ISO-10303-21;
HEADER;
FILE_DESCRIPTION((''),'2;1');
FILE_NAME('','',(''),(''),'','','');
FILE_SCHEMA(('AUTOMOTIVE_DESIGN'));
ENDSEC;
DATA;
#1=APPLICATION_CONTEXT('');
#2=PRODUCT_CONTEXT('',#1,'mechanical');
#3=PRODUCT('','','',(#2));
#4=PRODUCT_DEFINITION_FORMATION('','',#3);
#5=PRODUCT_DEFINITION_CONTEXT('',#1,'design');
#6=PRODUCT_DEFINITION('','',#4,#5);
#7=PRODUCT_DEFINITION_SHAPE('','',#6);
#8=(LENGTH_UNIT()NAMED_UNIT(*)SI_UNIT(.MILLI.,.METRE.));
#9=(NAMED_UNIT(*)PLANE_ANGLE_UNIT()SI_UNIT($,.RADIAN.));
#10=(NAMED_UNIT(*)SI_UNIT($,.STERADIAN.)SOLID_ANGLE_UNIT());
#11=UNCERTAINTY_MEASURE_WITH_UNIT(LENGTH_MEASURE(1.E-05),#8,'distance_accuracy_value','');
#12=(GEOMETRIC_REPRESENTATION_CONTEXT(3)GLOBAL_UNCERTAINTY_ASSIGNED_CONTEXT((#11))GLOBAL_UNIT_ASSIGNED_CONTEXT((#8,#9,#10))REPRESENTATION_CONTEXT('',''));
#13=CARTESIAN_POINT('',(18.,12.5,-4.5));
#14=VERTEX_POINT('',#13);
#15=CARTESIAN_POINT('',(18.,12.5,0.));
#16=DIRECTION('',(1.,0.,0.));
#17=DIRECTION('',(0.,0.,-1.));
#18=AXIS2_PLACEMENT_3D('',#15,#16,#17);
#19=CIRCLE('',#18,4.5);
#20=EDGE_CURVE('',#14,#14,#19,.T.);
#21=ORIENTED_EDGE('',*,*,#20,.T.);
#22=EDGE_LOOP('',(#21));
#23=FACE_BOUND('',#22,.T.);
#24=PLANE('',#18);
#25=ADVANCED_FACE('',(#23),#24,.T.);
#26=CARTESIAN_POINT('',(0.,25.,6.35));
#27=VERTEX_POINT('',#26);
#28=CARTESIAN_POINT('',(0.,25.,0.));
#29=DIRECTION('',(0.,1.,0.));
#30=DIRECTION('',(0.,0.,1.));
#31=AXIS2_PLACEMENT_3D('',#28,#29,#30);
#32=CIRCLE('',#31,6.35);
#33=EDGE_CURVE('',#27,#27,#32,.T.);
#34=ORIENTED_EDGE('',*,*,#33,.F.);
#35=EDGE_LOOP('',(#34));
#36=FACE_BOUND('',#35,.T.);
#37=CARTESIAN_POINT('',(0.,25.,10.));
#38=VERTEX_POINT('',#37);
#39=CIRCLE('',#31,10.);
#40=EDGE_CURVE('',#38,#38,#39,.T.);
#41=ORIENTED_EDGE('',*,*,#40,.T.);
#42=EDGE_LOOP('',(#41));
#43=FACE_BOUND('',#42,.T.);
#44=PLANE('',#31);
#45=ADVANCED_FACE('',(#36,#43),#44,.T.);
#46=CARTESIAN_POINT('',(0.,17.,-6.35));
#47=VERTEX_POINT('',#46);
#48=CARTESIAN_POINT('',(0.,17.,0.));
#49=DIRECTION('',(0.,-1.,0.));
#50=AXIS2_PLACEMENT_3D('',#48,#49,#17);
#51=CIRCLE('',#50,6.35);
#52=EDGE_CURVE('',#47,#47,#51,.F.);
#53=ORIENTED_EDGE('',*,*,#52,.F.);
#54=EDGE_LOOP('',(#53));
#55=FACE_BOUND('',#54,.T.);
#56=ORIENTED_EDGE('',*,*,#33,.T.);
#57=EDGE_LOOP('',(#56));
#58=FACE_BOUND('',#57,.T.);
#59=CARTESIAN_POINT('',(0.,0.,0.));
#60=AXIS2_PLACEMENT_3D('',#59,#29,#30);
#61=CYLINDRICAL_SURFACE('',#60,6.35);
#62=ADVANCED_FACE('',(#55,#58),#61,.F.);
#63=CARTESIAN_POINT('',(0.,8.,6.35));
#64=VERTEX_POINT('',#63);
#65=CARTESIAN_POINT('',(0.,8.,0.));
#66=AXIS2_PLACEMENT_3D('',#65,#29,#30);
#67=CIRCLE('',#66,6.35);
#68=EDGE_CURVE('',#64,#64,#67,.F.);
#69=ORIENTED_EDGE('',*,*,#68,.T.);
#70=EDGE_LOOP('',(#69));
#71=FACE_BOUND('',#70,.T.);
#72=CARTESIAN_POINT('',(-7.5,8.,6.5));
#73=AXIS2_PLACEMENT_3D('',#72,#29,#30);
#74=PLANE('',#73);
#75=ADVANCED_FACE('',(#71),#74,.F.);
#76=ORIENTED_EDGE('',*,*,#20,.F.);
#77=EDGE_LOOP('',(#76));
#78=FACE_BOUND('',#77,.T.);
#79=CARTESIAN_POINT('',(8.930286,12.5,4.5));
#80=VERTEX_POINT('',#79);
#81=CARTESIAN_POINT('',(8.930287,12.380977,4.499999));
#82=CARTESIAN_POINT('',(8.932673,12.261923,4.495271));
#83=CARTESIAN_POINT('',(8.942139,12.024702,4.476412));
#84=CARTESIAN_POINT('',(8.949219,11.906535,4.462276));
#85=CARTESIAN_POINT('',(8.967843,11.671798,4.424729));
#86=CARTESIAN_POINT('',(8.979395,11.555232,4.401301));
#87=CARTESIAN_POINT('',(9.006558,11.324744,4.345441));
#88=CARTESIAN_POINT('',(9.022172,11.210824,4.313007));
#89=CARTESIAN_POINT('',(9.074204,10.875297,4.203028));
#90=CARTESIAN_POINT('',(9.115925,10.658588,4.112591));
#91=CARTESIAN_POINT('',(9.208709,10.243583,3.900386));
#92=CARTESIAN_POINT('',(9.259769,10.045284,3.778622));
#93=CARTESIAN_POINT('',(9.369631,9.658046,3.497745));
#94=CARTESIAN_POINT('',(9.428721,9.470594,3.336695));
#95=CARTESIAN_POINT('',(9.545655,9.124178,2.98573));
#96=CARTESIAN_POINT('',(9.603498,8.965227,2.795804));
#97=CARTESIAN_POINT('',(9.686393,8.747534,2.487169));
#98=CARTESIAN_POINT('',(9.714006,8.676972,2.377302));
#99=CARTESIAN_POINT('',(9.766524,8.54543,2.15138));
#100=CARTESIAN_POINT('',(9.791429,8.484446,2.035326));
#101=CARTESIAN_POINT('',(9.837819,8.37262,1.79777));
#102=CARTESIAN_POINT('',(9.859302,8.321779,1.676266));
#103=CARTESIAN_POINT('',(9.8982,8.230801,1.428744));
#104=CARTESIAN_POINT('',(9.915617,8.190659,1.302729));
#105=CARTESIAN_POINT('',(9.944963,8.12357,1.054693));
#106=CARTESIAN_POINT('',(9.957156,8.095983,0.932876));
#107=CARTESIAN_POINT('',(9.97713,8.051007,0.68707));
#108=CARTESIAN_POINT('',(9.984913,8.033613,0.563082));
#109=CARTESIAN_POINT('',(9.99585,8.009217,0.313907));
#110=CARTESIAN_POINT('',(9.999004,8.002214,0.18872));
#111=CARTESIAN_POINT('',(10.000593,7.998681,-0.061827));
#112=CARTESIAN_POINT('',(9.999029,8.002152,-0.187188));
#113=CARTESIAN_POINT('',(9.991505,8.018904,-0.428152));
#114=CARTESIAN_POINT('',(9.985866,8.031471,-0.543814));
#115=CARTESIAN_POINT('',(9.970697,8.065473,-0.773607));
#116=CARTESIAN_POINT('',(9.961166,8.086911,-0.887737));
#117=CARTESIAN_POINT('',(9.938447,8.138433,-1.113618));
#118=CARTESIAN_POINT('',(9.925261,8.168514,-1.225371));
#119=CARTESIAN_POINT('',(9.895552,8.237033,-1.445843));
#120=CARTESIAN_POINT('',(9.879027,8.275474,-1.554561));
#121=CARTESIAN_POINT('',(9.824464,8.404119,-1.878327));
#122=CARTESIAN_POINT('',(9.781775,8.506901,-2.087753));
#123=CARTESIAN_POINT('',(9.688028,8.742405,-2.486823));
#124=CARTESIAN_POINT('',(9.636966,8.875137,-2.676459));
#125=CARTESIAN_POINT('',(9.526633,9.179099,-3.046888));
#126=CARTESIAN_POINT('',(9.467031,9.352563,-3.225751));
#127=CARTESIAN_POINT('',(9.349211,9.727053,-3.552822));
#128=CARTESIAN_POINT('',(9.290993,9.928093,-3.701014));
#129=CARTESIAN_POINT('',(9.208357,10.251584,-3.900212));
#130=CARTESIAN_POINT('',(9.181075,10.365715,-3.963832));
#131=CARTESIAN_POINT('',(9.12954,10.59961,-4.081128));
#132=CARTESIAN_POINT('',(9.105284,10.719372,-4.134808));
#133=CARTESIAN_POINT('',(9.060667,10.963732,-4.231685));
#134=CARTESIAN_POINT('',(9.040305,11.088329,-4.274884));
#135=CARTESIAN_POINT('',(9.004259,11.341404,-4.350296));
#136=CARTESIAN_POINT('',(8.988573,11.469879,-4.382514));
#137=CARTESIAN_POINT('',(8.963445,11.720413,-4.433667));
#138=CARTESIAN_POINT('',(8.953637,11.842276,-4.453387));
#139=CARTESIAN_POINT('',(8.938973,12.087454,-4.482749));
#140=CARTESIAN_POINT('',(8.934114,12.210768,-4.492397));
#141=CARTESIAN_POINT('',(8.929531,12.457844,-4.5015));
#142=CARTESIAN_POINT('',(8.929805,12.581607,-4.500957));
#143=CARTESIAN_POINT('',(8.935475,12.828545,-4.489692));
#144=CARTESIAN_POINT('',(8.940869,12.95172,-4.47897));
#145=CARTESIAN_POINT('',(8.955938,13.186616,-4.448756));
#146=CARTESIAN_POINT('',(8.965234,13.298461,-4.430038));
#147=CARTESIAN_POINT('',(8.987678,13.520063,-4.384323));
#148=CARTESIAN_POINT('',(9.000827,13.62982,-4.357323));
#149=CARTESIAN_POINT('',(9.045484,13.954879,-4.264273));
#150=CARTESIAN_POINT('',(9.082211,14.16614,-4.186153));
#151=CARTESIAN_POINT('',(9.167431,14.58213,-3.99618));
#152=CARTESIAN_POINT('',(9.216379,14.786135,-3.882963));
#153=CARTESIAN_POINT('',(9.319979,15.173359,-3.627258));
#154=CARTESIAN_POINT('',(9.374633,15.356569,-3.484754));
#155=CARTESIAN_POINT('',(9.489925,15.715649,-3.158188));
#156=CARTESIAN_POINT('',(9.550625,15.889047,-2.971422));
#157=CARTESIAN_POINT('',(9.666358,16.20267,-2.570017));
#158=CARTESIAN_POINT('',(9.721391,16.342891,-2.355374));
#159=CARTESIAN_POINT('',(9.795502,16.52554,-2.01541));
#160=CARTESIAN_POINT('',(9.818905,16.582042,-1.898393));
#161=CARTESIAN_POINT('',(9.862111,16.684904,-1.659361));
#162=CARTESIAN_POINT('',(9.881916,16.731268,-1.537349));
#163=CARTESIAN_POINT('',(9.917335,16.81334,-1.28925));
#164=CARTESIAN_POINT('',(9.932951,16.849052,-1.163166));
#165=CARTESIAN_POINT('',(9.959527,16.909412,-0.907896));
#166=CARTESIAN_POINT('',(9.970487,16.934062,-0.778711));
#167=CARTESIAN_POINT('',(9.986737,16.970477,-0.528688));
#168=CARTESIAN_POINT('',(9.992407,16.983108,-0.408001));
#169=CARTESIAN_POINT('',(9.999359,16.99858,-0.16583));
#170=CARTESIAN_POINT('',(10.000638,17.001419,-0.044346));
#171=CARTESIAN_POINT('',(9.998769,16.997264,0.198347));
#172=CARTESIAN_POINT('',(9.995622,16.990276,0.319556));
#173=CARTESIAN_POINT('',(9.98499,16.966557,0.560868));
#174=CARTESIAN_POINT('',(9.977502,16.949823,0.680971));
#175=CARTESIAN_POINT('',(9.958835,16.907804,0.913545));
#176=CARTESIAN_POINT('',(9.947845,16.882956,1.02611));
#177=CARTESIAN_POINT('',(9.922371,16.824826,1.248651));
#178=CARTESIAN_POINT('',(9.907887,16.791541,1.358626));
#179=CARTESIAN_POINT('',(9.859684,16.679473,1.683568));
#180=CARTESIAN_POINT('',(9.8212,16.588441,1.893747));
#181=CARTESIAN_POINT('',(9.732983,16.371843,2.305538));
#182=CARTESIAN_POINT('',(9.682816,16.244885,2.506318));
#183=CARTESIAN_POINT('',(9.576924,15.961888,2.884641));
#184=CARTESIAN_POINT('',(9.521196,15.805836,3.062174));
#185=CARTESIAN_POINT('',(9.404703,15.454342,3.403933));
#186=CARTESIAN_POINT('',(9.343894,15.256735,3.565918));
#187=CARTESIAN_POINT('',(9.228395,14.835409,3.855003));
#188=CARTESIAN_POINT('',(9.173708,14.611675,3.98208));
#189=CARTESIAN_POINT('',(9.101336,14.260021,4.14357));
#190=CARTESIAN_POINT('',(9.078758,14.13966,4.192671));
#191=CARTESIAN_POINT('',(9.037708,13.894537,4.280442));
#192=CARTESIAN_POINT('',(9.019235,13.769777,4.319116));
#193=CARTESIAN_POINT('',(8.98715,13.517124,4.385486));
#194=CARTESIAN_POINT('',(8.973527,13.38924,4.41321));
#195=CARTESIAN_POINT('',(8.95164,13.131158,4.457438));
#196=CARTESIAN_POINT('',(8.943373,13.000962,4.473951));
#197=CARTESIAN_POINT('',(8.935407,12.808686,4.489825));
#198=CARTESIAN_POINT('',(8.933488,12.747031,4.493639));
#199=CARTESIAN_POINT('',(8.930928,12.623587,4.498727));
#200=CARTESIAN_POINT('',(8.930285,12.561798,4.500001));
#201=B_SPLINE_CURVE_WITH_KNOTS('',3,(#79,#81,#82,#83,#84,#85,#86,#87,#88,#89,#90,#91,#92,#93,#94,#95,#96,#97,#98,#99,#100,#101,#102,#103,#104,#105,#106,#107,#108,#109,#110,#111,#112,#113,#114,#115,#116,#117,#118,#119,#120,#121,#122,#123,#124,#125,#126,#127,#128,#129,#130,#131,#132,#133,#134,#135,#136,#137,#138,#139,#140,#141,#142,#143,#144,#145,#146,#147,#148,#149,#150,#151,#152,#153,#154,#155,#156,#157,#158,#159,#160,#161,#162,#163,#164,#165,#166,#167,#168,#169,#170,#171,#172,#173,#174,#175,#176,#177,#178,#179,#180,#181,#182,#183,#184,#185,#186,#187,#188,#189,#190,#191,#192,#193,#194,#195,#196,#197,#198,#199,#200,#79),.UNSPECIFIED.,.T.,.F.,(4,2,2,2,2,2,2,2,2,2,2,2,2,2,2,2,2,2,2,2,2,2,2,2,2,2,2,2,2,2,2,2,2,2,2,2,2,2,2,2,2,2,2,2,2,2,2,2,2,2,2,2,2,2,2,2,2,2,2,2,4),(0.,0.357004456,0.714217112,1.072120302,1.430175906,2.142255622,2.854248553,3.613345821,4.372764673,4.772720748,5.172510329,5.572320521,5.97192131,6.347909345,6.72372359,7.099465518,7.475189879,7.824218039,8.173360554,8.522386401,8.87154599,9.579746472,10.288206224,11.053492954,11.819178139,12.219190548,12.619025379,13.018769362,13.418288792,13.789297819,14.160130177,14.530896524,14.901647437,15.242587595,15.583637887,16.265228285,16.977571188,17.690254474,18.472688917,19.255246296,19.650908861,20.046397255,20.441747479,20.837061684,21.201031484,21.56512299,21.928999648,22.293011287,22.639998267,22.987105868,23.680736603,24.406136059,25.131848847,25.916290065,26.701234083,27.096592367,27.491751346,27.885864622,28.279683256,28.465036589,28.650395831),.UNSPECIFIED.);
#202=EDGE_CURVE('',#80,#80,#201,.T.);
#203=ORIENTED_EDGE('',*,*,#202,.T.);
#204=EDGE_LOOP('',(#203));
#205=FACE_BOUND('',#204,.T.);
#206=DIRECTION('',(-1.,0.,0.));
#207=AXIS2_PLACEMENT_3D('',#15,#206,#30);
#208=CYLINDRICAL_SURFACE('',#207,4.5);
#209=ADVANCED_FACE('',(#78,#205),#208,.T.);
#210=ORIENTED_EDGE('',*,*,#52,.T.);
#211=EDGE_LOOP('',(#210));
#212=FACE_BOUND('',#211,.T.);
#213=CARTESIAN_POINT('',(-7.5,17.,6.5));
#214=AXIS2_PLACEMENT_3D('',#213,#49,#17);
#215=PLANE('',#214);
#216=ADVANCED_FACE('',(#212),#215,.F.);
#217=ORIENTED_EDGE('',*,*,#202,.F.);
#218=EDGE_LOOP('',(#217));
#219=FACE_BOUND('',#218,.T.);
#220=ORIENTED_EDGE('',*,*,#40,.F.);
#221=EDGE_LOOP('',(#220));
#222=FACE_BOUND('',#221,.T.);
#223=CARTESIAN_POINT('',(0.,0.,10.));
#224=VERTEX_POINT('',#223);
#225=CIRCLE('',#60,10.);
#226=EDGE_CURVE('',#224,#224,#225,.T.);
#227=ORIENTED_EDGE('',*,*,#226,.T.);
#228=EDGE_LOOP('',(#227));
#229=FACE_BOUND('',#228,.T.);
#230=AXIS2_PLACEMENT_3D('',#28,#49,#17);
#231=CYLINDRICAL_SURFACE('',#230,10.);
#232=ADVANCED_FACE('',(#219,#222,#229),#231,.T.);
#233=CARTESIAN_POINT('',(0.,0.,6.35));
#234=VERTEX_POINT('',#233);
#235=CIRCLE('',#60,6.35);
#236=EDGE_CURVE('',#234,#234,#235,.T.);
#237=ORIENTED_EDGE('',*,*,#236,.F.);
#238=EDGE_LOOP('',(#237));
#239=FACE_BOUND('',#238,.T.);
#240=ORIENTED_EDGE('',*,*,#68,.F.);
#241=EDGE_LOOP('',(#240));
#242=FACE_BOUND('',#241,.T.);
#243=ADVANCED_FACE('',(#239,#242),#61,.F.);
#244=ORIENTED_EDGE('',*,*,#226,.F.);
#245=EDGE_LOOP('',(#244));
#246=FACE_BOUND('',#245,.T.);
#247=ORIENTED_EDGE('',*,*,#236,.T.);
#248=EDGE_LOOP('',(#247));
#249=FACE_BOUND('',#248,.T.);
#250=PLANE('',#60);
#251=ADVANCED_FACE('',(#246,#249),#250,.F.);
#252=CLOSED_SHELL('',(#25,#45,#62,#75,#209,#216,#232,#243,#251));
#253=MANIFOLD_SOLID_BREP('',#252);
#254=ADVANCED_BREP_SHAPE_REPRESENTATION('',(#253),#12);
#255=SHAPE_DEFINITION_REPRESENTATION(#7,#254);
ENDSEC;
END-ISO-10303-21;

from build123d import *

# Parameters (mm, degrees)
SKETCH2_R           = 10
BOSS_EXTRUDE1_DEPTH = 25
SKETCH3_R           = 4.5
BOSS_EXTRUDE2_DEPTH = 18
SKETCH7_R           = 6.35
CUT_EXTRUDE2_DEPTH  = 33.388269645
SKETCH8_W           = 15
SKETCH8_H           = 9
BOSS_EXTRUDE3_DEPTH = 6.5


with BuildPart() as part:
    # Sketch2 → Boss-Extrude1 (new body)
    with BuildSketch(Plane(origin=(0, 0, 0), x_dir=(1, 0, 0), z_dir=(0, 1, 0))):
        with Locations(Location((0, 0, 0), (0, 0, 270))):
            Circle(SKETCH2_R)
    extrude(amount=BOSS_EXTRUDE1_DEPTH)

    # Sketch3 → Boss-Extrude2 (add)
    with BuildSketch(Plane(origin=(0, 0, 0), x_dir=(0, 0, -1), z_dir=(1, 0, 0))):
        with Locations(Location((0, 12.5, 0), (0, 0, 180))):
            Circle(SKETCH3_R)
    extrude(amount=BOSS_EXTRUDE2_DEPTH)

    # Sketch7 → Cut-Extrude2 (cut, through all)
    with BuildSketch(Plane(origin=(0, 25, 0), x_dir=(1, 0, 0), z_dir=(0, 1, 0))):
        with Locations(Location((0, 0, 0), (0, 0, 270))):
            Circle(SKETCH7_R)
    extrude(amount=-CUT_EXTRUDE2_DEPTH, mode=Mode.SUBTRACT)

    # Sketch8 → Boss-Extrude3 (add, symmetric)
    with BuildSketch(Plane.XY):
        with Locations((0, 12.5)):
            Rectangle(SKETCH8_W, SKETCH8_H)
    extrude(amount=BOSS_EXTRUDE3_DEPTH, both=True)


solid = part.part
